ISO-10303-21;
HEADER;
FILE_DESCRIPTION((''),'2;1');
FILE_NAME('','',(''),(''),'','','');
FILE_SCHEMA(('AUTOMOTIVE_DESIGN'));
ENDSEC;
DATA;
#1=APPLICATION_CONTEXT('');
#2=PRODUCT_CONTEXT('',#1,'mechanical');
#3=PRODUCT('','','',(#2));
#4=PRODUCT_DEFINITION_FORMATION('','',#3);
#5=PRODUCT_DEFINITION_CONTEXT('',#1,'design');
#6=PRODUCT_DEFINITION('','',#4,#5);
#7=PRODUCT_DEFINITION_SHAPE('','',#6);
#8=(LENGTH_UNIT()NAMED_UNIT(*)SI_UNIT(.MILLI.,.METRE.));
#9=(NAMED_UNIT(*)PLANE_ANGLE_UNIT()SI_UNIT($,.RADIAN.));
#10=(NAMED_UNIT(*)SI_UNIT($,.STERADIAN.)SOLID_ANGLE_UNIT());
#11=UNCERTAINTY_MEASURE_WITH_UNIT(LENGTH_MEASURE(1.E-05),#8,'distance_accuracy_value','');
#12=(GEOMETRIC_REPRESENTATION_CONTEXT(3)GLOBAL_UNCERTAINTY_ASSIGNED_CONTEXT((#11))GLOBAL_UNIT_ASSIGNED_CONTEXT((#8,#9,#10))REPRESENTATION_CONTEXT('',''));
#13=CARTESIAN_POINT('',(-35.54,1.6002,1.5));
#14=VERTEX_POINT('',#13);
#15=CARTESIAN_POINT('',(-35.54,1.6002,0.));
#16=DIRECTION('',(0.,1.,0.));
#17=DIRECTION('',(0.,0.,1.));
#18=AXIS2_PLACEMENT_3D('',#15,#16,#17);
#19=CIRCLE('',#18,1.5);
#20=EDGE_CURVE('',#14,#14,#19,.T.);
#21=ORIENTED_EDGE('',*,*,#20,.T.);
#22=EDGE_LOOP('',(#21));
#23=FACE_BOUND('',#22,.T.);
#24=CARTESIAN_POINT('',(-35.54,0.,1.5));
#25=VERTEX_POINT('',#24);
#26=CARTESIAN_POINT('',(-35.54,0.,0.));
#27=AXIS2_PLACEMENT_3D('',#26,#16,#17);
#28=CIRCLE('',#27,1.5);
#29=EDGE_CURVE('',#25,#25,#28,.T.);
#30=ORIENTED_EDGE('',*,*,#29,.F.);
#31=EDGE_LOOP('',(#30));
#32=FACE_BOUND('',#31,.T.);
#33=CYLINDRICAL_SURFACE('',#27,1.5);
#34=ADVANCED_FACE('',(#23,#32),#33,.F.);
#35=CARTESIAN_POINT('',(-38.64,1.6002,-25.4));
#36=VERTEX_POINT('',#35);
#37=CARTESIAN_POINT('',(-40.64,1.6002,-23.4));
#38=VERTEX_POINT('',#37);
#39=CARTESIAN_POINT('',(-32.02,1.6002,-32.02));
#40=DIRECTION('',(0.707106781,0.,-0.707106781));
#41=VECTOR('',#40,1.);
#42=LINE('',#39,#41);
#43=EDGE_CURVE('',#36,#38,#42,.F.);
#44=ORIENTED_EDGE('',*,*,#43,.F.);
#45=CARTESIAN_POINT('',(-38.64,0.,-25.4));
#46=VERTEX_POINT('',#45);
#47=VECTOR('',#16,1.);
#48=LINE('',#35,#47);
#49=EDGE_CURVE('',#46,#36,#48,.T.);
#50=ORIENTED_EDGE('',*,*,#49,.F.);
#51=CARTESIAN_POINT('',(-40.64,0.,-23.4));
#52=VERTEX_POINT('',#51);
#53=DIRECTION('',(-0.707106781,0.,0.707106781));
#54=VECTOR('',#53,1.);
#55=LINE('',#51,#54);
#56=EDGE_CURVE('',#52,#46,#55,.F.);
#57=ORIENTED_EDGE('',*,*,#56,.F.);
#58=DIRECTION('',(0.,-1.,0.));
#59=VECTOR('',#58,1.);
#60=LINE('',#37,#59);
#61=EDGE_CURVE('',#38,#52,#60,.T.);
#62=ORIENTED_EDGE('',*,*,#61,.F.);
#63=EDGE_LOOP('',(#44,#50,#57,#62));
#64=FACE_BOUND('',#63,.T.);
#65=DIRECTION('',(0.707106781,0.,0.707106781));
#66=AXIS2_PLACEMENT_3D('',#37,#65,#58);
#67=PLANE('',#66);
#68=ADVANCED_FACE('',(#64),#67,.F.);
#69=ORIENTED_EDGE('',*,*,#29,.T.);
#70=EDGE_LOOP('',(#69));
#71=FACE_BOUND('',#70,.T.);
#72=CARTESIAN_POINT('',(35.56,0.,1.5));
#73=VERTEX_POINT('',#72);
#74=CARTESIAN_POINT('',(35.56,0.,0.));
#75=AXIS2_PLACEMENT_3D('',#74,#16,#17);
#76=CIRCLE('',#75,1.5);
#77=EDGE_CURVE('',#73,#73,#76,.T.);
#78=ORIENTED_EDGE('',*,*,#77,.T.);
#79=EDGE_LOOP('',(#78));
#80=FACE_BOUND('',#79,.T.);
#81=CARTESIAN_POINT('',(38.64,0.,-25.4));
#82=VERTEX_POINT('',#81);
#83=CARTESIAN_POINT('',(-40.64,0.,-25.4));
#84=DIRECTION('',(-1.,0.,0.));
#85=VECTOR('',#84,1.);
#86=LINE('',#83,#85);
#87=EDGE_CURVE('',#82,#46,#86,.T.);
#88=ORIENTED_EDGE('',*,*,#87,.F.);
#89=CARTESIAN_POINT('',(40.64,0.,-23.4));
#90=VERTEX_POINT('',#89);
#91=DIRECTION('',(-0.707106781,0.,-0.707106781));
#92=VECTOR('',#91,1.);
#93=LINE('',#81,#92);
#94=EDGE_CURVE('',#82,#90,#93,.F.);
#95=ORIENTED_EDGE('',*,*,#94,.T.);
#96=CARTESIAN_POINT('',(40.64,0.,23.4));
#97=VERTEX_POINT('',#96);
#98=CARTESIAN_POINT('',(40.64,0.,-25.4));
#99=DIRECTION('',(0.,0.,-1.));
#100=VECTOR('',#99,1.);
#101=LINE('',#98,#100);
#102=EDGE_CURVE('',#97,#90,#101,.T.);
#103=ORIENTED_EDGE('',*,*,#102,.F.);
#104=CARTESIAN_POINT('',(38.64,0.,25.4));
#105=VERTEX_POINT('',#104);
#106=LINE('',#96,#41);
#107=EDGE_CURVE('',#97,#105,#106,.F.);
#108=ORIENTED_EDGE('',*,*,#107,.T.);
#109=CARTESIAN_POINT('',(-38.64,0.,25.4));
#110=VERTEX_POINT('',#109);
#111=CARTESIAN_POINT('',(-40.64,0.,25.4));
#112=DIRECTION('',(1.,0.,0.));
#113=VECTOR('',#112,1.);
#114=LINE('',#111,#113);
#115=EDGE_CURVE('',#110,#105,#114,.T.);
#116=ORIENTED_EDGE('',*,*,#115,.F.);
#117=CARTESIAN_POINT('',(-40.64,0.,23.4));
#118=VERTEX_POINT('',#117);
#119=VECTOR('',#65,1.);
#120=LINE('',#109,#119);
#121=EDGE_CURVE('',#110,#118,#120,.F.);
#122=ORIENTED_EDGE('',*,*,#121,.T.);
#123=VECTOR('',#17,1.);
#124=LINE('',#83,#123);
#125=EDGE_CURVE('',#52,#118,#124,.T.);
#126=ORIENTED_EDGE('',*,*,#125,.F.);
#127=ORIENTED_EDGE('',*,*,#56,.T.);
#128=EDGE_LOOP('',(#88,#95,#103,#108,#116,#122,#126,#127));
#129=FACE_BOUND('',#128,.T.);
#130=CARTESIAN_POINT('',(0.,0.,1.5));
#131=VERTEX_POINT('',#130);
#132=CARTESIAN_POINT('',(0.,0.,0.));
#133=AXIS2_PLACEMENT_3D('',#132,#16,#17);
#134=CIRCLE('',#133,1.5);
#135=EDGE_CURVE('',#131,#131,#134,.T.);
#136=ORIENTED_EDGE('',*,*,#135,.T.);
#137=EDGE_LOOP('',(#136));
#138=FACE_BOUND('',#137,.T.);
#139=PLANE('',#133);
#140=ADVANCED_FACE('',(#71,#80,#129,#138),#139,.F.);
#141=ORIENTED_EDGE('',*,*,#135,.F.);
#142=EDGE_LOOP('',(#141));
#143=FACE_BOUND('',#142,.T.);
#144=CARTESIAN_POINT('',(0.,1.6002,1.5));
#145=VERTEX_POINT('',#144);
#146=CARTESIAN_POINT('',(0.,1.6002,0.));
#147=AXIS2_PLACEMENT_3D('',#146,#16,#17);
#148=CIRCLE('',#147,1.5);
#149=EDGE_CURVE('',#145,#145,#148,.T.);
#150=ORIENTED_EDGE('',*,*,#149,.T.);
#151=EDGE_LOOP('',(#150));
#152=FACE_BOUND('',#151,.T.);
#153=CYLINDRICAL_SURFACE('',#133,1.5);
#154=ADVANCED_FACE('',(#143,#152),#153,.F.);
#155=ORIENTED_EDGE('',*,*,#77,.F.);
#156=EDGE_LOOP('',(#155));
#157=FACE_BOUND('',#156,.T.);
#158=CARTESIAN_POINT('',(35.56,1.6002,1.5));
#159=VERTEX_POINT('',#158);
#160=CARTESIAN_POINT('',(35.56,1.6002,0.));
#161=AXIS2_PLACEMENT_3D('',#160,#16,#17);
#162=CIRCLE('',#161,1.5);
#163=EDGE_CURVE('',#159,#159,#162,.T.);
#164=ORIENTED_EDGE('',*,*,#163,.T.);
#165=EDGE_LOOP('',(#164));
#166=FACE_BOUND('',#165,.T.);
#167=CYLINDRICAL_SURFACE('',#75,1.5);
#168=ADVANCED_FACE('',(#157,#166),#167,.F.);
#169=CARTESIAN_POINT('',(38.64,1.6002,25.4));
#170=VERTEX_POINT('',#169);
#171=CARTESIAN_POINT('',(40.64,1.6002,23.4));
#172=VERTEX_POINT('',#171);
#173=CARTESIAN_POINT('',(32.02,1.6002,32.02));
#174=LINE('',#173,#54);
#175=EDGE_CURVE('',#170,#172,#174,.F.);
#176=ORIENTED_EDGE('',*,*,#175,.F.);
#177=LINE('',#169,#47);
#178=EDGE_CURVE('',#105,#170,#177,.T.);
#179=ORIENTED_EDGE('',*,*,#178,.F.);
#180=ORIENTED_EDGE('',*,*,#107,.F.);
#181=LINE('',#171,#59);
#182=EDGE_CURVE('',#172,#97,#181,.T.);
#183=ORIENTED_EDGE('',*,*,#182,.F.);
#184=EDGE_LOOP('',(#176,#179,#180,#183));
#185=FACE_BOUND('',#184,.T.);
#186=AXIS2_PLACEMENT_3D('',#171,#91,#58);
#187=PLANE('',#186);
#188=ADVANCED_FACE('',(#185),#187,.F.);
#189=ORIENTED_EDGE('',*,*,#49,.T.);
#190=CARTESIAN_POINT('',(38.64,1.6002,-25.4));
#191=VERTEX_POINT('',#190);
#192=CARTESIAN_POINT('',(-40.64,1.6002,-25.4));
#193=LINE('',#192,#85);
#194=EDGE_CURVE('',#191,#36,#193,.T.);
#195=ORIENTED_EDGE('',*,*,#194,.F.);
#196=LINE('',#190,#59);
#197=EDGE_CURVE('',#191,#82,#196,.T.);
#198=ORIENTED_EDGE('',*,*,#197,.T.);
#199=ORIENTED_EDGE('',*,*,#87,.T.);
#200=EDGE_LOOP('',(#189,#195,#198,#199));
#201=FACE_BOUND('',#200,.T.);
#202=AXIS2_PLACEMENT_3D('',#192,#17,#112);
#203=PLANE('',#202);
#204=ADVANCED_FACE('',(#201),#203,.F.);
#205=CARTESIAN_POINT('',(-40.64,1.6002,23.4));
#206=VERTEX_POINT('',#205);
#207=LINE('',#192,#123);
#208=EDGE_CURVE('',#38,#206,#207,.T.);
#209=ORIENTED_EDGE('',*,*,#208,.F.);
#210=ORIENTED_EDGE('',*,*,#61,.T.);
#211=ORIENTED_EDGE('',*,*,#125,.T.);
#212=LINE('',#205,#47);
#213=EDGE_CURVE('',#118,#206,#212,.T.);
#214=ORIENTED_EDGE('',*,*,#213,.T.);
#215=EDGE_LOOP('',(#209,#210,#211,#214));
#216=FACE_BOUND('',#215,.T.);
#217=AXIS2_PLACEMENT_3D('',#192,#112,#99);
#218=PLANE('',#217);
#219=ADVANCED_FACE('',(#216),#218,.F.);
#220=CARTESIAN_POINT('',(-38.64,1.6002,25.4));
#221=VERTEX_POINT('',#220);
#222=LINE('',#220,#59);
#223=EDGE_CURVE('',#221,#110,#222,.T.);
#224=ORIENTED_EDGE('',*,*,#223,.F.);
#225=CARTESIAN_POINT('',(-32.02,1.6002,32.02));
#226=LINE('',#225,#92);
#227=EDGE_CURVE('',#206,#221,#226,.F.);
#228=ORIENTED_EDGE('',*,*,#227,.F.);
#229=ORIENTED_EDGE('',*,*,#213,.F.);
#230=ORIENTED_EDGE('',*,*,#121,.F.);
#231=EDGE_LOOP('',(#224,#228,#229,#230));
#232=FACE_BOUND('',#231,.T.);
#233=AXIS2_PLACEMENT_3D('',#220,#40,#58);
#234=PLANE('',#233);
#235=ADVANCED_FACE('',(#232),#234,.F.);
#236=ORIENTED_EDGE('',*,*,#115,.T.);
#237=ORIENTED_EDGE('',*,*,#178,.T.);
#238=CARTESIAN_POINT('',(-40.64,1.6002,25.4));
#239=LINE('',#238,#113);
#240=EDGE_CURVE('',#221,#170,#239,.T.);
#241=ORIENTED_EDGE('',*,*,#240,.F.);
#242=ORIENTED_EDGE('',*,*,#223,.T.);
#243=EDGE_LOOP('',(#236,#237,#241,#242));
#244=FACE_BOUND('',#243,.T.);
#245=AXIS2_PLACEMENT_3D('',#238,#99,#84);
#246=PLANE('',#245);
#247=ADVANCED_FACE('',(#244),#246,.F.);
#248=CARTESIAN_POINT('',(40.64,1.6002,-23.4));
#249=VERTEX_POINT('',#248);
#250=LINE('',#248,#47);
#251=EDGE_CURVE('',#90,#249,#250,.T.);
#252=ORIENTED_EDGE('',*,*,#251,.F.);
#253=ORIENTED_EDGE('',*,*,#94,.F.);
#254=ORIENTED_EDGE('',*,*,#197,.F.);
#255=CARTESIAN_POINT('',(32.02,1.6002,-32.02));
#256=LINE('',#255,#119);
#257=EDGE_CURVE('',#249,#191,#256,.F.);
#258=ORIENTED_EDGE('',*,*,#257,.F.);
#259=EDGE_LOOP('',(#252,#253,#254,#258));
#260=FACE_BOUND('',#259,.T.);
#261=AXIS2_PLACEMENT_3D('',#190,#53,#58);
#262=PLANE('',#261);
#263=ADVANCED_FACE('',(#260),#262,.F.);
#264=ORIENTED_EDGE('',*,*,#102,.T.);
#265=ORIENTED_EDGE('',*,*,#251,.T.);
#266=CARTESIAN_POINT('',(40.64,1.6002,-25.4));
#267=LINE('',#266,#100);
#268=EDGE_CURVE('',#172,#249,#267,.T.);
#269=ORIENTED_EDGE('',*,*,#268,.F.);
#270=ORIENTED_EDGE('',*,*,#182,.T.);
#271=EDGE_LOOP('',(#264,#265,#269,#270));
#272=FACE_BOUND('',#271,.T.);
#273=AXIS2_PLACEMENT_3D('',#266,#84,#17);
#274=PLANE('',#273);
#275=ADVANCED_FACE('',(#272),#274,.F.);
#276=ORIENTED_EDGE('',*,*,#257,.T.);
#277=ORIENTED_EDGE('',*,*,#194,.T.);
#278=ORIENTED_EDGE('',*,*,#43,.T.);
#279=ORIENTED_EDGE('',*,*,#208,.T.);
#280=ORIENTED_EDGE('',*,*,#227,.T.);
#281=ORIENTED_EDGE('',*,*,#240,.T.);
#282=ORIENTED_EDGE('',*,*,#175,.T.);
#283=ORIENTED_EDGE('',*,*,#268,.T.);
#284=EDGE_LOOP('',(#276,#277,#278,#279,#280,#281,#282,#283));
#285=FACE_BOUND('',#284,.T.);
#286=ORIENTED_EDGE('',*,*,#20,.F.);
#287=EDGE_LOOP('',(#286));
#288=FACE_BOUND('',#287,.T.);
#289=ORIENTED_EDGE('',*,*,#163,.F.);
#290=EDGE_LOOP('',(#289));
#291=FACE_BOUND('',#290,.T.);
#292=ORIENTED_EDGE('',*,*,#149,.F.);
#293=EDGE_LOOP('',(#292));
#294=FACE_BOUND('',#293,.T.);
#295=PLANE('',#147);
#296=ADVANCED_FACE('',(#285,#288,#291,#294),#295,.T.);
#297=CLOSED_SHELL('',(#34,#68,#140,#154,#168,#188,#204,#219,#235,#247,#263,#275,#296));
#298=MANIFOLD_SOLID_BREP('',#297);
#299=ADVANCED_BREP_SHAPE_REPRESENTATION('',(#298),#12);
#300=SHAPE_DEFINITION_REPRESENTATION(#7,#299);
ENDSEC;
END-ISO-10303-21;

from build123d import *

# Parameters (mm, degrees)
SKETCH1_W           = 81.28
SKETCH1_H           = 50.8
BOSS_EXTRUDE1_DEPTH = 1.6002
SKETCH2_R           = 1.5
CUT_EXTRUDE1_DEPTH  = 1.6002
CHAMFER1_SIZE       = 2


with BuildPart() as part:
    # Sketch1 → Boss-Extrude1 (new body)
    with BuildSketch(Plane(origin=(0, 0, 0), x_dir=(1, 0, 0), z_dir=(0, 1, 0))):
        Rectangle(SKETCH1_W, SKETCH1_H)
    extrude(amount=BOSS_EXTRUDE1_DEPTH)

    # Sketch2 → Cut-Extrude1 (cut)
    with BuildSketch(Plane(origin=(0, 1.6002, 0), x_dir=(1, 0, 0), z_dir=(0, 1, 0))):
        with Locations((-35.54, 0)):
            Circle(SKETCH2_R)
        with Locations((35.56, 0)):
            Circle(SKETCH2_R)
        Circle(SKETCH2_R)
    extrude(amount=-CUT_EXTRUDE1_DEPTH, mode=Mode.SUBTRACT)

    # Chamfer1
    chamfer1_edges = [part.edges().sort_by_distance(p)[0] for p in [
        (40.64, 0.8001, 25.4),
        (-40.64, 0.8001, 25.4),
        (-40.64, 0.8001, -25.4),
        (40.64, 0.8001, -25.4),
    ]]
    chamfer(chamfer1_edges, length=CHAMFER1_SIZE)


solid = part.part
